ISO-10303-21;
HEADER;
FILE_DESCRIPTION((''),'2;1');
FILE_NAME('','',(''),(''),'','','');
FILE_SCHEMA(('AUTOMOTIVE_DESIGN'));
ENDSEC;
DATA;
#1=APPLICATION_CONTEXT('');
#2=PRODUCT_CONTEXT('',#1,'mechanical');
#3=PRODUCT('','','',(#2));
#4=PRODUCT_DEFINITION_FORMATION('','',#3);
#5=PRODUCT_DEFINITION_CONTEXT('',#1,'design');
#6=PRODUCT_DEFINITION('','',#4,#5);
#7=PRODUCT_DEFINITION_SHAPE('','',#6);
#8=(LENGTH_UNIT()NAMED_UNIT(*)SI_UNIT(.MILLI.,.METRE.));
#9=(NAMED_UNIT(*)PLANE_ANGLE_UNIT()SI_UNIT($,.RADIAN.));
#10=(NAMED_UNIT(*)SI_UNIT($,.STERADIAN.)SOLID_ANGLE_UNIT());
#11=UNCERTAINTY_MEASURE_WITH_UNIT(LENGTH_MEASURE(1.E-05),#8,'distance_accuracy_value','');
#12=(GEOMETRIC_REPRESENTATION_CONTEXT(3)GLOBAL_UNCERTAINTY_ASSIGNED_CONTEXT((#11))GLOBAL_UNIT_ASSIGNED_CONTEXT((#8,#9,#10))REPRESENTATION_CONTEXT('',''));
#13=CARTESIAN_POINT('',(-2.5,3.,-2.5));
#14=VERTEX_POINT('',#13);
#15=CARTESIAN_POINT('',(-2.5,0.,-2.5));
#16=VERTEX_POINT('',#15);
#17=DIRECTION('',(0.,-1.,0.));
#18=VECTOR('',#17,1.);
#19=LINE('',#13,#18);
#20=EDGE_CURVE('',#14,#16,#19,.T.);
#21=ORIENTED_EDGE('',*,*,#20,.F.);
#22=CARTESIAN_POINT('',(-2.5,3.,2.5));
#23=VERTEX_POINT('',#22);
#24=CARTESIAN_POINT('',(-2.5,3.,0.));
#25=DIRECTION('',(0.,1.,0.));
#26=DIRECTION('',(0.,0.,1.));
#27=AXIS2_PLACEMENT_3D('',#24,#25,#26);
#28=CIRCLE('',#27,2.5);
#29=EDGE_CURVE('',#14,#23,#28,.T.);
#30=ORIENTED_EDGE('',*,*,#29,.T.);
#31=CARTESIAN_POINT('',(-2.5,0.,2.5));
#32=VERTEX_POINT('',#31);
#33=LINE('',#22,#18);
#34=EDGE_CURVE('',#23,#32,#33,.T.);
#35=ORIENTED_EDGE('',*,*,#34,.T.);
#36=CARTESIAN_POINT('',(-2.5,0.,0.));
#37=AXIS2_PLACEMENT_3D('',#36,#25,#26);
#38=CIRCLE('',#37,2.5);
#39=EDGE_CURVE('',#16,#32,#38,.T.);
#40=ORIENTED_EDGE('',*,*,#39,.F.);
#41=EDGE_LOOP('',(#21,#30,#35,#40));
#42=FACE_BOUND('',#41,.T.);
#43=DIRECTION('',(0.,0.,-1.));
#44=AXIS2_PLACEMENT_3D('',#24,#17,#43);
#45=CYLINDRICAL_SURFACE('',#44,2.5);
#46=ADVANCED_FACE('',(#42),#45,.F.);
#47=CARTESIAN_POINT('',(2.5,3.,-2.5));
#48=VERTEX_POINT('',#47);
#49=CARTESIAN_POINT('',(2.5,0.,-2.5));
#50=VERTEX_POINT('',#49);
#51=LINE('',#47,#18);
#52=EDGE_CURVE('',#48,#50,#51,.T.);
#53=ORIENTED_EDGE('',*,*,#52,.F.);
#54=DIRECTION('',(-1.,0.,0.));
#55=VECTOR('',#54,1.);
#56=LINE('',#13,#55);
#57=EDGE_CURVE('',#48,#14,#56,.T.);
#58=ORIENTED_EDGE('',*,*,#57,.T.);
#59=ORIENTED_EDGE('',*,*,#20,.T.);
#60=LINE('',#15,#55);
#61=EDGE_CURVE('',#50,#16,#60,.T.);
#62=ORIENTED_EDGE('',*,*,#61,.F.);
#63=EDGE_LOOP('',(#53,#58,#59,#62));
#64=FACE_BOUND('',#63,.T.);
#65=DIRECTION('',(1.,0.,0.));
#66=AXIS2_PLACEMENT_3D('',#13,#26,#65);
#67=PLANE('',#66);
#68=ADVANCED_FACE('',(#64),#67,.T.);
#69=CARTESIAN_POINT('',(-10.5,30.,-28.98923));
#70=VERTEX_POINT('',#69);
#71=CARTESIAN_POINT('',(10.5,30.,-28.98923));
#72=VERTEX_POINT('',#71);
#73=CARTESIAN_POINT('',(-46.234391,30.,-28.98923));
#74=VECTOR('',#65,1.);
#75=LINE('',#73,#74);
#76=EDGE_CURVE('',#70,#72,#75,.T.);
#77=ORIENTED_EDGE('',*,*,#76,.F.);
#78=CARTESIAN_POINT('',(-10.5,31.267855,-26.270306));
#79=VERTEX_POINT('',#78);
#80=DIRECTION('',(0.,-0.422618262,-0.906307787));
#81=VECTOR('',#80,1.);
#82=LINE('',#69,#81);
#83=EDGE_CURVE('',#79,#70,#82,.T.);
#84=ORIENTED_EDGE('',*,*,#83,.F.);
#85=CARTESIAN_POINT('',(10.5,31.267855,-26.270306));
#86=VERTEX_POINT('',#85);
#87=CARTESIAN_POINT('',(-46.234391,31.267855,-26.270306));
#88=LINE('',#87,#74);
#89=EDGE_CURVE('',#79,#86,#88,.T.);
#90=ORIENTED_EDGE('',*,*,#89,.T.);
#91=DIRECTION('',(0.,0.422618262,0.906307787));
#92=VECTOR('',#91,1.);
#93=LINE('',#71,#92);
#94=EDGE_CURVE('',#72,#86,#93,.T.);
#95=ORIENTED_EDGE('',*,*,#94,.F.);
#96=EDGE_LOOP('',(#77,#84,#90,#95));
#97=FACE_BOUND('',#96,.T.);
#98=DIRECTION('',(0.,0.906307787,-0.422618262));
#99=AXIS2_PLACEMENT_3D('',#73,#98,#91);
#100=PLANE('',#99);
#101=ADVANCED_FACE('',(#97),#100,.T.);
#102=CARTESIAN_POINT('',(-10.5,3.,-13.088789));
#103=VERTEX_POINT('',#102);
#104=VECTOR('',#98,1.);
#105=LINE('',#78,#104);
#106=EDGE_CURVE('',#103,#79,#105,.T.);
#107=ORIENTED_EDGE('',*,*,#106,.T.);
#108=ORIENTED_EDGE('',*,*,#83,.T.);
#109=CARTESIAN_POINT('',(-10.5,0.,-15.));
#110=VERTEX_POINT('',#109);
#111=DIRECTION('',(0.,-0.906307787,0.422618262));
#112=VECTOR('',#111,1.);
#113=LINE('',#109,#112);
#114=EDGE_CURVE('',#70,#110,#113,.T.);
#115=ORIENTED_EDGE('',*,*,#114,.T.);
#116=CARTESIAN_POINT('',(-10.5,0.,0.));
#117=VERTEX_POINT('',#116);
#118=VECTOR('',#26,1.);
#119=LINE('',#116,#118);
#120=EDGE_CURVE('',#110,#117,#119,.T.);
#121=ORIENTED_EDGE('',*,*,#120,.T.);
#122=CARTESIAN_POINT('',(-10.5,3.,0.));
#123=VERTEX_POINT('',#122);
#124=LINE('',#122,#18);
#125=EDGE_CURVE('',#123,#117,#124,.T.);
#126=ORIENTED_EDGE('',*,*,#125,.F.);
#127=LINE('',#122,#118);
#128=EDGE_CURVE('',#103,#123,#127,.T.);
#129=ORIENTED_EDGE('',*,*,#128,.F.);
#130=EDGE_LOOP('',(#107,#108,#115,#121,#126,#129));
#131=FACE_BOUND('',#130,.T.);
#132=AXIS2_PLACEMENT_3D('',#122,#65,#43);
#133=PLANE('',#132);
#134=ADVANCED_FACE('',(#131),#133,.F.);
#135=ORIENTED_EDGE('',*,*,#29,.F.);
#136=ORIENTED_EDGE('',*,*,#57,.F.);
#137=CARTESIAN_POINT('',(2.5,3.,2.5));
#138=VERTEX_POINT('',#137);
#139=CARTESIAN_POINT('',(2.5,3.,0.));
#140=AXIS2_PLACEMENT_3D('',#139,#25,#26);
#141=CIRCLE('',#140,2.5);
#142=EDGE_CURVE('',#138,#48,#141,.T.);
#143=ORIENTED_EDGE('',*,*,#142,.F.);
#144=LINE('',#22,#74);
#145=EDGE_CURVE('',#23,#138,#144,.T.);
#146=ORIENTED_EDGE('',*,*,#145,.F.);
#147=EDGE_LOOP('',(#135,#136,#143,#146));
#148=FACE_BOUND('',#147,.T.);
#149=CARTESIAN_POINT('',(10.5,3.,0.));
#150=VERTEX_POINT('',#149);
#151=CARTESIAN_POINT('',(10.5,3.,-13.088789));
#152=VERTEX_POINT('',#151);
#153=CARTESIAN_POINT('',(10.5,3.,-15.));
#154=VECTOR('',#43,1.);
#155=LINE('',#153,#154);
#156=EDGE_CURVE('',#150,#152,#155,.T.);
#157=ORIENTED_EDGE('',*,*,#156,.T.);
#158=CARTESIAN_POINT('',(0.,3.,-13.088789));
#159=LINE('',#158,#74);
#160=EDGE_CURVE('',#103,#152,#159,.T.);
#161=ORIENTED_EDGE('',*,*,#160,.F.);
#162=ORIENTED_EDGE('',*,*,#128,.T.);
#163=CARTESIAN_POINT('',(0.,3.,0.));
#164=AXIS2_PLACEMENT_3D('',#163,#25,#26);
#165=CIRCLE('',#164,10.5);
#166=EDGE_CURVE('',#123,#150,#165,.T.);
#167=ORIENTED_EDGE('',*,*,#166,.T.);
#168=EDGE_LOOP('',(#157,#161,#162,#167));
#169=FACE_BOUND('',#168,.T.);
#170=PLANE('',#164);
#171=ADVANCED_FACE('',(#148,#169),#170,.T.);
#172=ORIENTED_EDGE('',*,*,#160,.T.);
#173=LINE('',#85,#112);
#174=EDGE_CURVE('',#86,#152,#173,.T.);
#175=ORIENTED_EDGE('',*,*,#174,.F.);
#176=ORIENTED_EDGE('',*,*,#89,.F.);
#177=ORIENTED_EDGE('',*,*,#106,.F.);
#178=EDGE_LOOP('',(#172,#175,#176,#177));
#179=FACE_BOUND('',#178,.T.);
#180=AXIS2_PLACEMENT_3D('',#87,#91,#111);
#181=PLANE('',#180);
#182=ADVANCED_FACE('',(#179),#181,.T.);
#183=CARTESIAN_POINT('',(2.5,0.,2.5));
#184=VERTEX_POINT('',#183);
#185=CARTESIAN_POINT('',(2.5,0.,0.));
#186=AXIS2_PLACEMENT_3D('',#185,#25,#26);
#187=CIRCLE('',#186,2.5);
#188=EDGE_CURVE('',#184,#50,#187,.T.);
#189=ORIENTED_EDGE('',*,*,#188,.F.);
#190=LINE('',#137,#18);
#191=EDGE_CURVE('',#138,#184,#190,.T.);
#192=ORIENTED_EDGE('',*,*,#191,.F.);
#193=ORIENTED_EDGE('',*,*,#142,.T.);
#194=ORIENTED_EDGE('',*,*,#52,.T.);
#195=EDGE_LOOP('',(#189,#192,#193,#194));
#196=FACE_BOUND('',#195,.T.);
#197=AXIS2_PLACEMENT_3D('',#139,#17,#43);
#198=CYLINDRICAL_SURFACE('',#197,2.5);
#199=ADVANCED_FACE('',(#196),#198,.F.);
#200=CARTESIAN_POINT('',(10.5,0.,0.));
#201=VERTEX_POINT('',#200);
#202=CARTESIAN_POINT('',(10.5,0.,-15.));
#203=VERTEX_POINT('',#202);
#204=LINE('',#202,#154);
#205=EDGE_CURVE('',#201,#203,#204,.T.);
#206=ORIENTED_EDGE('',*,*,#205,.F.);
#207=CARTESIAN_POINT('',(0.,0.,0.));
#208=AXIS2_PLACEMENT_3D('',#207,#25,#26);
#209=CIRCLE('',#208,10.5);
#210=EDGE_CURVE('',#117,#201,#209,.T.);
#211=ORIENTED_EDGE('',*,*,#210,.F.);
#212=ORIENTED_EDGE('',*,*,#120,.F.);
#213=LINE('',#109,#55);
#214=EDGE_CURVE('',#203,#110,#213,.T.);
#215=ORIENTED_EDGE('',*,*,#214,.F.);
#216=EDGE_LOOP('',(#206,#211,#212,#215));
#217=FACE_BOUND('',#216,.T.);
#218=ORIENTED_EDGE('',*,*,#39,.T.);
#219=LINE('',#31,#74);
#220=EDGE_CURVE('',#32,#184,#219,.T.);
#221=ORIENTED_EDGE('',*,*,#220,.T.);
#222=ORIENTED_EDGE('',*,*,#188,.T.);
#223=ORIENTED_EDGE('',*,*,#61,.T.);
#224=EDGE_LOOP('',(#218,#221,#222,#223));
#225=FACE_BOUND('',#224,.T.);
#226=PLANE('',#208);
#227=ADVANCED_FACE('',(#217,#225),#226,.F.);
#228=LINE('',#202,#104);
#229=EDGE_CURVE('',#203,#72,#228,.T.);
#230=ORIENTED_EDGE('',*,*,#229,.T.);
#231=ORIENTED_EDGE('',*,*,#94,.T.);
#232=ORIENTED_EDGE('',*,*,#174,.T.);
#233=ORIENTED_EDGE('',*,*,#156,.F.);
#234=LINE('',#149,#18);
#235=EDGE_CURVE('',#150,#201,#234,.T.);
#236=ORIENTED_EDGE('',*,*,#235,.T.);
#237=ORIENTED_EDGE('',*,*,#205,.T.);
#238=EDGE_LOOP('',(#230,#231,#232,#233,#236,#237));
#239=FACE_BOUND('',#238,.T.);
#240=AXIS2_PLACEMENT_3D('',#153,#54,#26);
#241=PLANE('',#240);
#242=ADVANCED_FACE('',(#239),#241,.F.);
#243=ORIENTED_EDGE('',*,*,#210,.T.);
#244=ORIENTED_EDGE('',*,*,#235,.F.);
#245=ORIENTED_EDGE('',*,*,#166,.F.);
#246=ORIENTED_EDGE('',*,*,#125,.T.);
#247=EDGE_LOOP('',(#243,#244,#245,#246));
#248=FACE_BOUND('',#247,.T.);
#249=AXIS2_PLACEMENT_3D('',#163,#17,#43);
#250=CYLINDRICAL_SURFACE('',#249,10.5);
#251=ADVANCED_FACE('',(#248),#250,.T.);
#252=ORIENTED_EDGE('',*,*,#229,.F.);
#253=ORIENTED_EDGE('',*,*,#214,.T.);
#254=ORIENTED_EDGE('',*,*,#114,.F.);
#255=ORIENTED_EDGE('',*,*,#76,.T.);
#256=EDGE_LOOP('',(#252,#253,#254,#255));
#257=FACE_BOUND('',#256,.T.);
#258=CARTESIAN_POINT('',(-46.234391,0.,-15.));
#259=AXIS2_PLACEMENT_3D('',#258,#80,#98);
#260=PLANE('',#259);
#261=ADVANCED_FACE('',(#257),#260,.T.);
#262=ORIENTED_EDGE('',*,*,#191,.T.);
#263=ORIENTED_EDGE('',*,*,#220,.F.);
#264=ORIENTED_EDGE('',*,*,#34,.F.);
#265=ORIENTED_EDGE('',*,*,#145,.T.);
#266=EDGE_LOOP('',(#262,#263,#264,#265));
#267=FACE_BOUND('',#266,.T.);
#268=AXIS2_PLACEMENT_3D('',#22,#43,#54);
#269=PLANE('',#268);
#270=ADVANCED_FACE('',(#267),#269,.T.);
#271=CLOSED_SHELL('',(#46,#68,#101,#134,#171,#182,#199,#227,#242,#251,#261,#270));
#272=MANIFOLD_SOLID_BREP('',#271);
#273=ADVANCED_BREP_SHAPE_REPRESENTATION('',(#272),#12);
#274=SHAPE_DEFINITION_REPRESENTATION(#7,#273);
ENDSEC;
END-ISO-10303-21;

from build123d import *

# Parameters (mm, degrees)
BOSS_EXTRUDE1_DEPTH = 3
BOSS_EXTRUDE3_DEPTH = 21


with BuildPart() as part:
    # Sketch1 → Boss-Extrude1 (new body)
    with BuildSketch(Plane(origin=(0, 0, 0), x_dir=(1, 0, 0), z_dir=(0, 1, 0))):
        with BuildLine():
            Line((-10.5, 0), (-10.5, 15))
            Line((-10.5, 15), (10.5, 15))
            Line((10.5, 15), (10.5, 0))
            ThreePointArc((10.5, 0), (0, -10.5), (-10.5, 0))
        make_face()
        with BuildLine():
            Line((-2.5, 2.5), (2.5, 2.5))
            ThreePointArc((2.5, 2.5), (5, 0), (2.5, -2.5))
            Line((2.5, -2.5), (-2.5, -2.5))
            ThreePointArc((-2.5, -2.5), (-5, 0), (-2.5, 2.5))
        make_face(mode=Mode.SUBTRACT)
    extrude(amount=BOSS_EXTRUDE1_DEPTH)

    # Sketch3 → Boss-Extrude3 (add)
    with BuildSketch(Plane(origin=(10.5, 0, 0), x_dir=(0, 0, -1), z_dir=(1, 0, 0))):
        Polygon((15, 0), (28.989229745, 30), (26.270306384, 31.267854785), (11.689866243, 0), align=None)
    extrude(amount=-BOSS_EXTRUDE3_DEPTH)


solid = part.part
